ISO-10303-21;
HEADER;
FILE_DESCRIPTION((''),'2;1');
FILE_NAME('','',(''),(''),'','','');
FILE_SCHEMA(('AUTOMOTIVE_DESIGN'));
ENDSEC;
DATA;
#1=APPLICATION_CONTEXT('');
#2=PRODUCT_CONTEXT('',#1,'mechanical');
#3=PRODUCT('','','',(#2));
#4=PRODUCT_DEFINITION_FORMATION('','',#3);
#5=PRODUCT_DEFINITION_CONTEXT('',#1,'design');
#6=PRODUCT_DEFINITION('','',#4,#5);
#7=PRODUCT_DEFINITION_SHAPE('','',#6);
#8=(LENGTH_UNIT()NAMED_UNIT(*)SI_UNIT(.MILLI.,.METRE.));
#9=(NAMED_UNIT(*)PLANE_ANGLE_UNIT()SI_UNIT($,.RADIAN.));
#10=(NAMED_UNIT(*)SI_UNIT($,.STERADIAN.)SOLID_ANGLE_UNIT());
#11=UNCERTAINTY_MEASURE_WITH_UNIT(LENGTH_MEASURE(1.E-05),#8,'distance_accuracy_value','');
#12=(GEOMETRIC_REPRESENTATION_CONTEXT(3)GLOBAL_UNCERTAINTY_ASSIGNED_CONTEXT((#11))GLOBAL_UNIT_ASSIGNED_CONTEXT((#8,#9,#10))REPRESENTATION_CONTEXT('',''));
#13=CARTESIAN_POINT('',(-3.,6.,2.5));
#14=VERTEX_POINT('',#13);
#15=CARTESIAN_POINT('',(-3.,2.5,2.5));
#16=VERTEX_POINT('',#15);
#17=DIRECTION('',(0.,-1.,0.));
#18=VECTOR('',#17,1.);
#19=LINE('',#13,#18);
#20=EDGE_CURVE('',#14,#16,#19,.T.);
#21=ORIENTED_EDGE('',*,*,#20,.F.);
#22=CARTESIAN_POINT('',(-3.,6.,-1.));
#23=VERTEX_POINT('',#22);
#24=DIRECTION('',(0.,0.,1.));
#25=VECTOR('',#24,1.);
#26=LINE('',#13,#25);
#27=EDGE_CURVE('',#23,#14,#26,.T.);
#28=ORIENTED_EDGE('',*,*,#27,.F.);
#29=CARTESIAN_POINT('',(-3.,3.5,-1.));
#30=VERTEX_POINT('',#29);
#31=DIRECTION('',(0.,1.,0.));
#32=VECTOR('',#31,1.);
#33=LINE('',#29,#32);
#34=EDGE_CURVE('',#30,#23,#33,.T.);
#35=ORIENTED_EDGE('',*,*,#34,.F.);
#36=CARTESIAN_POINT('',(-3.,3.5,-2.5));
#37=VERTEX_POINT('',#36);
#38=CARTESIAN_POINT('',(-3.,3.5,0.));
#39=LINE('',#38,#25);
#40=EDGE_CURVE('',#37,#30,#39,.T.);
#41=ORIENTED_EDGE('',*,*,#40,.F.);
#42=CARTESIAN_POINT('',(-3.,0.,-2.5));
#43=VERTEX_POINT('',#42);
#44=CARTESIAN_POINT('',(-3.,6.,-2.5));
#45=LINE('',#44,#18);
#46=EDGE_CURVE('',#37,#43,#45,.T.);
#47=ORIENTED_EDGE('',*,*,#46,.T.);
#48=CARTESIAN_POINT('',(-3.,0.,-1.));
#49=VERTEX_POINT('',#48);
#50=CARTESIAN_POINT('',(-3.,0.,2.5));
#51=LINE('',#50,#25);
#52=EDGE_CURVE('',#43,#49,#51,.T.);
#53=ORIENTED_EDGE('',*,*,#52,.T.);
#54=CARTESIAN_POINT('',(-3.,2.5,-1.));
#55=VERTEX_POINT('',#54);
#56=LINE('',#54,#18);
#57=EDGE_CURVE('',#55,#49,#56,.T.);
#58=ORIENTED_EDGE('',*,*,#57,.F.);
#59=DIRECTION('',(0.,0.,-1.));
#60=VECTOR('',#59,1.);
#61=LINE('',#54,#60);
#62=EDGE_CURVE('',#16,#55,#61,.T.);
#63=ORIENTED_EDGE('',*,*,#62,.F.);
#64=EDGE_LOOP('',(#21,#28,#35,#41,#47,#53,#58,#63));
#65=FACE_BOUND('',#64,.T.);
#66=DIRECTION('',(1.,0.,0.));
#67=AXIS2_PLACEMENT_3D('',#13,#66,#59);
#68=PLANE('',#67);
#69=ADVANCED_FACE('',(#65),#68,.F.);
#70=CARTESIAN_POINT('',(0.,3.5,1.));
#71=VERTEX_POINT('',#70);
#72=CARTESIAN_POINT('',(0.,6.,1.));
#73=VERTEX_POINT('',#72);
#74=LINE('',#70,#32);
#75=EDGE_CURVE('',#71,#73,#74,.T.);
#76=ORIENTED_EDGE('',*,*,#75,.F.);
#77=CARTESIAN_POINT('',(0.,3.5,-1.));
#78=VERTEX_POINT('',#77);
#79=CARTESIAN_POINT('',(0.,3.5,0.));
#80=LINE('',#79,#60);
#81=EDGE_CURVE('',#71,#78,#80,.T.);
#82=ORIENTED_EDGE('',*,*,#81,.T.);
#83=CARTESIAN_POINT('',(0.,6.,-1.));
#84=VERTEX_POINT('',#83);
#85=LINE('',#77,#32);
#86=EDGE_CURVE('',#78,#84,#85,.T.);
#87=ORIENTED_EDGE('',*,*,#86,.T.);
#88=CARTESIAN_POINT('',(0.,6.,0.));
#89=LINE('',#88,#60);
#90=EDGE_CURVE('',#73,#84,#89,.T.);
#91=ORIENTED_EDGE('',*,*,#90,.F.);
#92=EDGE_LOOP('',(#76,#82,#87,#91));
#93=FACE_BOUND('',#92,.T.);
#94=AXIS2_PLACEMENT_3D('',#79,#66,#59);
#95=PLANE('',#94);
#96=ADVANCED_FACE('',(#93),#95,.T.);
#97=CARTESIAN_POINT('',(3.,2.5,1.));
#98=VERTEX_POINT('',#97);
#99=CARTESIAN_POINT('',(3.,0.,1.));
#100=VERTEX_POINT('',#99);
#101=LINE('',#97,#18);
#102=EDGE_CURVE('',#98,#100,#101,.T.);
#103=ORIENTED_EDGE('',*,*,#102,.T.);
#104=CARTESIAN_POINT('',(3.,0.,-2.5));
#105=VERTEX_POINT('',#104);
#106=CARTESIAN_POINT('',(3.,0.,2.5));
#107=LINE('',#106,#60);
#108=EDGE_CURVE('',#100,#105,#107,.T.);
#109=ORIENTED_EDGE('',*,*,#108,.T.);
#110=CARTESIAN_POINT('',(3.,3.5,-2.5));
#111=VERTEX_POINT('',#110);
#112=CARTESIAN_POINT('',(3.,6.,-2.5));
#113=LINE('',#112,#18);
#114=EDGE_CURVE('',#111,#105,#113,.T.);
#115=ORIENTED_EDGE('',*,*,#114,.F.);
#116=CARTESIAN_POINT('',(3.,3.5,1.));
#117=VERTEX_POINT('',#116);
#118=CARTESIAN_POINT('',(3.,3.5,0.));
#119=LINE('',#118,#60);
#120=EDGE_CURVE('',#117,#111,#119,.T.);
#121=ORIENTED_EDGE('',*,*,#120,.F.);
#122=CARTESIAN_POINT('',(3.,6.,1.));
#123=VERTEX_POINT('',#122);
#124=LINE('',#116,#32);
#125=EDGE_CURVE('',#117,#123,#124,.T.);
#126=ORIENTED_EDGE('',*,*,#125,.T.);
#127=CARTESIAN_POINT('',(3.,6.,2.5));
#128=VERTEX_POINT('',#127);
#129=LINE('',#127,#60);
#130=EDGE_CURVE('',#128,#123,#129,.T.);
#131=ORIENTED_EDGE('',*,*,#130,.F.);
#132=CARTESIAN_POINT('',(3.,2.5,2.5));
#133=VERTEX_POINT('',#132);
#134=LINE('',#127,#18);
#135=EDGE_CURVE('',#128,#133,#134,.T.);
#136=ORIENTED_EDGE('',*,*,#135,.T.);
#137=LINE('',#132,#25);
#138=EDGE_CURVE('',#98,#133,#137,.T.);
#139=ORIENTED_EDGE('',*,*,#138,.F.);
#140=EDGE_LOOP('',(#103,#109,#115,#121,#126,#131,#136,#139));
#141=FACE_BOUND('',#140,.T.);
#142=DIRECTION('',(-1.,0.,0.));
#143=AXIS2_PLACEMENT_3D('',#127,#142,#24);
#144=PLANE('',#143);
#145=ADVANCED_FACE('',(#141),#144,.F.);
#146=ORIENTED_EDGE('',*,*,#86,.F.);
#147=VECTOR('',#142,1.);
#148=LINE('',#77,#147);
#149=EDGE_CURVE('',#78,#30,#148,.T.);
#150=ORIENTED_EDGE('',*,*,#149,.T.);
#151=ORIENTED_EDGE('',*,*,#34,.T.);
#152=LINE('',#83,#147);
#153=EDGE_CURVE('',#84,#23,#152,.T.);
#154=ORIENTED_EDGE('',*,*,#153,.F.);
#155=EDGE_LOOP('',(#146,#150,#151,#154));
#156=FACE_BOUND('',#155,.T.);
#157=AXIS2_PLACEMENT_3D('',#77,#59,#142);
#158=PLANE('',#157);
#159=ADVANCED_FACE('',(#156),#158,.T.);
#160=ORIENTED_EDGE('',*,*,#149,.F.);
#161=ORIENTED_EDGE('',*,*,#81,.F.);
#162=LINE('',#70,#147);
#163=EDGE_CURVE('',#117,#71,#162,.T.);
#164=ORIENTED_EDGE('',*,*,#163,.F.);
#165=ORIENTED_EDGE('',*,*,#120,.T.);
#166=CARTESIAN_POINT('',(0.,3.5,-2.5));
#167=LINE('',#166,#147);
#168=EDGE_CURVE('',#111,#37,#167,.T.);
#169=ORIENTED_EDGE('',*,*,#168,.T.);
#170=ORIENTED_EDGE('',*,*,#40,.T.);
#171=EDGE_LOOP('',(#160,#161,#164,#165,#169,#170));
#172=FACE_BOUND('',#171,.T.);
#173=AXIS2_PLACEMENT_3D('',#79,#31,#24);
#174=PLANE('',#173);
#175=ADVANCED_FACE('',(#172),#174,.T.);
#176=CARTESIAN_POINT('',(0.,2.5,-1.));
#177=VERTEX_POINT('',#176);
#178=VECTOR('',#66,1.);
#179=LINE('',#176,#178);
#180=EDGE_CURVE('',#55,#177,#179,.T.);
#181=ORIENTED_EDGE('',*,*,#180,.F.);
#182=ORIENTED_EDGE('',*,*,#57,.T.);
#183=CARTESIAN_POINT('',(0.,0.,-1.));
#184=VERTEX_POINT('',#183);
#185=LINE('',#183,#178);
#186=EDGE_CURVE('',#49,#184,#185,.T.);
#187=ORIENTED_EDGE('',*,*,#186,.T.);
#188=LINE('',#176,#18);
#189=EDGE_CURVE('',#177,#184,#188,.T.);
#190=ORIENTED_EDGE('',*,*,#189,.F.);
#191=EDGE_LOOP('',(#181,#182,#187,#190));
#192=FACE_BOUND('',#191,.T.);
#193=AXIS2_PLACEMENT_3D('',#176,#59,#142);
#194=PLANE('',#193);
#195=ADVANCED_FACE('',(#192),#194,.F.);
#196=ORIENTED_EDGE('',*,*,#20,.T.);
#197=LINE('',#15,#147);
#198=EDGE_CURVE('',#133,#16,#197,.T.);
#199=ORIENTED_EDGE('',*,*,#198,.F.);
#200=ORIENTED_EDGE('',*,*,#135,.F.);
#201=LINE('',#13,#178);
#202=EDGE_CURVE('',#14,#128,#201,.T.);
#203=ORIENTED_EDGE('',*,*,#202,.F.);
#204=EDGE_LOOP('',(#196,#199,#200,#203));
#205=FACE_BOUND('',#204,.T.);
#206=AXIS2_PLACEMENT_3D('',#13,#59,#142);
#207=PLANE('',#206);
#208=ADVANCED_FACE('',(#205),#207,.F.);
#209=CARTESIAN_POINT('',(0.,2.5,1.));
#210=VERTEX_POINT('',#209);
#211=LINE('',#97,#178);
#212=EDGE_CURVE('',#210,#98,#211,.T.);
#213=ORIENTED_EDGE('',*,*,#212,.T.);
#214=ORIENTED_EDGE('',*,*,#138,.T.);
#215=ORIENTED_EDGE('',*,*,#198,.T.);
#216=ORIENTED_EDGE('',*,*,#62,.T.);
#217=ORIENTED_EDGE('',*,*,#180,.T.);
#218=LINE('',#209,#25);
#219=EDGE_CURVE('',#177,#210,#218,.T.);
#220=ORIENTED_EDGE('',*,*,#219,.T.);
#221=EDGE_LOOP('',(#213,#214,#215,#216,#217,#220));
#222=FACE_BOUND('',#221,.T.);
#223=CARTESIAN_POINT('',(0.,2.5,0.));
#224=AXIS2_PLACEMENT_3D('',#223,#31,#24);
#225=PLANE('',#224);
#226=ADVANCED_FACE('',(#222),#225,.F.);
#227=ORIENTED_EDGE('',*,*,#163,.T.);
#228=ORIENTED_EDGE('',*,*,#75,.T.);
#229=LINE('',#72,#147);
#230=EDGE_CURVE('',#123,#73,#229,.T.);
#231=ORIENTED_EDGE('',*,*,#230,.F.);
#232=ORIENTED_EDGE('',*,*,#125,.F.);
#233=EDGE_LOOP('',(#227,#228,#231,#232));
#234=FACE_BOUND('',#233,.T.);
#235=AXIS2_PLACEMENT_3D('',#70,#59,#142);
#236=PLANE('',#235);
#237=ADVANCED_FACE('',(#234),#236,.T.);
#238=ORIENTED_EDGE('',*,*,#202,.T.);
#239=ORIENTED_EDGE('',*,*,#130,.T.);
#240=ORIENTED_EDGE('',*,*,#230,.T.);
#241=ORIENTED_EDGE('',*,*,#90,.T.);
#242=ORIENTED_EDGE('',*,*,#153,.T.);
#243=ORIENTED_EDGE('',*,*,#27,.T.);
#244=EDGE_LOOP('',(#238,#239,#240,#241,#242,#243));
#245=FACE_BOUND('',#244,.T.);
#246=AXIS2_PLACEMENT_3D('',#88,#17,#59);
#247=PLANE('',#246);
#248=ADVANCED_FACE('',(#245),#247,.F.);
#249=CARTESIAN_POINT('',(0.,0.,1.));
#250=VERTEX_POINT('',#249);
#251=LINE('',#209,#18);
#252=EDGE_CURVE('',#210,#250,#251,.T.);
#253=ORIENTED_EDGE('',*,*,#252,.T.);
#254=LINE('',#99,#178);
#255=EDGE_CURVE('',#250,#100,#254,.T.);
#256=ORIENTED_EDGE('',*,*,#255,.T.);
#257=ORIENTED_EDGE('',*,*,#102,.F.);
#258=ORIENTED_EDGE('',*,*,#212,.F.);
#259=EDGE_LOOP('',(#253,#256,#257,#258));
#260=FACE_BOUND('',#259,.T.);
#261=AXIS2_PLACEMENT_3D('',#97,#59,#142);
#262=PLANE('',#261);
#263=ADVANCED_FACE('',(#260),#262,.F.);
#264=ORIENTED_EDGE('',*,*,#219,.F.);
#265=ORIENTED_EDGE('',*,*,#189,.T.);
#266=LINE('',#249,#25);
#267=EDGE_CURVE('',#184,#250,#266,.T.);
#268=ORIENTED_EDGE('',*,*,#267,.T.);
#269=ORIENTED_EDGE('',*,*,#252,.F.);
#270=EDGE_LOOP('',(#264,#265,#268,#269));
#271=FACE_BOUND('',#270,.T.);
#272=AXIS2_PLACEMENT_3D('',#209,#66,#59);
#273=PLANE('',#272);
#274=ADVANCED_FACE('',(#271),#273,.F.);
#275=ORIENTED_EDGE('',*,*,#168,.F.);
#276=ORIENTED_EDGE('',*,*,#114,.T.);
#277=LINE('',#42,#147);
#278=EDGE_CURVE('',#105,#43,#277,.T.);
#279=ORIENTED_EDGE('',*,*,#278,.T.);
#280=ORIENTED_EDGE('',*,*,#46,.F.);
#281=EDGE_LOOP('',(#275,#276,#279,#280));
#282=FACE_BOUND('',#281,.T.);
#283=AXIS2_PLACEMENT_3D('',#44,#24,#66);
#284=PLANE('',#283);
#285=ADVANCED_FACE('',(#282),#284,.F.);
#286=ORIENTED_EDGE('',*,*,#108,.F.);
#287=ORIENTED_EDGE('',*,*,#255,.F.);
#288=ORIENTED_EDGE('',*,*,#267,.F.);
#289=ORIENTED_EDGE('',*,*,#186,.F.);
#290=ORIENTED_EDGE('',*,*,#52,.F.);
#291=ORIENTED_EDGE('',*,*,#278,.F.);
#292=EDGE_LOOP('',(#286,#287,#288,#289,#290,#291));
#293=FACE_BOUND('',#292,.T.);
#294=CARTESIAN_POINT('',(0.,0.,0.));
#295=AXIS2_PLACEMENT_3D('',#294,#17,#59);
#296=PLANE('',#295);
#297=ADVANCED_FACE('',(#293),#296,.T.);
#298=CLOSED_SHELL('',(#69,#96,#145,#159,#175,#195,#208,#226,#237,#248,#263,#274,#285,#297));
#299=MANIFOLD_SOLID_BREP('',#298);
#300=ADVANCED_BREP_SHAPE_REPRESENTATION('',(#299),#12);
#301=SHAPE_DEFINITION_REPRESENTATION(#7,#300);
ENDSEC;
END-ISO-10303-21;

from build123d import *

# Parameters (mm, degrees)
SKETCH1_W           = 6
SKETCH1_H           = 5
BOSS_EXTRUDE1_DEPTH = 6
CUT_EXTRUDE1_DEPTH  = 2.5
CUT_EXTRUDE2_DEPTH  = 2.5


with BuildPart() as part:
    # Sketch1 → Boss-Extrude1 (new body)
    with BuildSketch(Plane(origin=(0, 0, 0), x_dir=(1, 0, 0), z_dir=(0, 1, 0))):
        Rectangle(SKETCH1_W, SKETCH1_H)
    extrude(amount=BOSS_EXTRUDE1_DEPTH)

    # Sketch2 → Cut-Extrude1 (cut)
    with BuildSketch(Plane(origin=(0, 6, 0), x_dir=(1, 0, 0), z_dir=(0, 1, 0))):
        Polygon((0, -1), (3, -1), (3, 2.5), (-3, 2.5), (-3, 1), (0, 1), align=None)
    extrude(amount=-CUT_EXTRUDE1_DEPTH, mode=Mode.SUBTRACT)

    # Sketch3 → Cut-Extrude2 (cut)
    with BuildSketch(Plane.XZ):
        Polygon((3, 1), (0, 1), (0, -1), (-3, -1), (-3, 2.5), (3, 2.5), align=None)
    extrude(amount=-CUT_EXTRUDE2_DEPTH, mode=Mode.SUBTRACT)


solid = part.part
